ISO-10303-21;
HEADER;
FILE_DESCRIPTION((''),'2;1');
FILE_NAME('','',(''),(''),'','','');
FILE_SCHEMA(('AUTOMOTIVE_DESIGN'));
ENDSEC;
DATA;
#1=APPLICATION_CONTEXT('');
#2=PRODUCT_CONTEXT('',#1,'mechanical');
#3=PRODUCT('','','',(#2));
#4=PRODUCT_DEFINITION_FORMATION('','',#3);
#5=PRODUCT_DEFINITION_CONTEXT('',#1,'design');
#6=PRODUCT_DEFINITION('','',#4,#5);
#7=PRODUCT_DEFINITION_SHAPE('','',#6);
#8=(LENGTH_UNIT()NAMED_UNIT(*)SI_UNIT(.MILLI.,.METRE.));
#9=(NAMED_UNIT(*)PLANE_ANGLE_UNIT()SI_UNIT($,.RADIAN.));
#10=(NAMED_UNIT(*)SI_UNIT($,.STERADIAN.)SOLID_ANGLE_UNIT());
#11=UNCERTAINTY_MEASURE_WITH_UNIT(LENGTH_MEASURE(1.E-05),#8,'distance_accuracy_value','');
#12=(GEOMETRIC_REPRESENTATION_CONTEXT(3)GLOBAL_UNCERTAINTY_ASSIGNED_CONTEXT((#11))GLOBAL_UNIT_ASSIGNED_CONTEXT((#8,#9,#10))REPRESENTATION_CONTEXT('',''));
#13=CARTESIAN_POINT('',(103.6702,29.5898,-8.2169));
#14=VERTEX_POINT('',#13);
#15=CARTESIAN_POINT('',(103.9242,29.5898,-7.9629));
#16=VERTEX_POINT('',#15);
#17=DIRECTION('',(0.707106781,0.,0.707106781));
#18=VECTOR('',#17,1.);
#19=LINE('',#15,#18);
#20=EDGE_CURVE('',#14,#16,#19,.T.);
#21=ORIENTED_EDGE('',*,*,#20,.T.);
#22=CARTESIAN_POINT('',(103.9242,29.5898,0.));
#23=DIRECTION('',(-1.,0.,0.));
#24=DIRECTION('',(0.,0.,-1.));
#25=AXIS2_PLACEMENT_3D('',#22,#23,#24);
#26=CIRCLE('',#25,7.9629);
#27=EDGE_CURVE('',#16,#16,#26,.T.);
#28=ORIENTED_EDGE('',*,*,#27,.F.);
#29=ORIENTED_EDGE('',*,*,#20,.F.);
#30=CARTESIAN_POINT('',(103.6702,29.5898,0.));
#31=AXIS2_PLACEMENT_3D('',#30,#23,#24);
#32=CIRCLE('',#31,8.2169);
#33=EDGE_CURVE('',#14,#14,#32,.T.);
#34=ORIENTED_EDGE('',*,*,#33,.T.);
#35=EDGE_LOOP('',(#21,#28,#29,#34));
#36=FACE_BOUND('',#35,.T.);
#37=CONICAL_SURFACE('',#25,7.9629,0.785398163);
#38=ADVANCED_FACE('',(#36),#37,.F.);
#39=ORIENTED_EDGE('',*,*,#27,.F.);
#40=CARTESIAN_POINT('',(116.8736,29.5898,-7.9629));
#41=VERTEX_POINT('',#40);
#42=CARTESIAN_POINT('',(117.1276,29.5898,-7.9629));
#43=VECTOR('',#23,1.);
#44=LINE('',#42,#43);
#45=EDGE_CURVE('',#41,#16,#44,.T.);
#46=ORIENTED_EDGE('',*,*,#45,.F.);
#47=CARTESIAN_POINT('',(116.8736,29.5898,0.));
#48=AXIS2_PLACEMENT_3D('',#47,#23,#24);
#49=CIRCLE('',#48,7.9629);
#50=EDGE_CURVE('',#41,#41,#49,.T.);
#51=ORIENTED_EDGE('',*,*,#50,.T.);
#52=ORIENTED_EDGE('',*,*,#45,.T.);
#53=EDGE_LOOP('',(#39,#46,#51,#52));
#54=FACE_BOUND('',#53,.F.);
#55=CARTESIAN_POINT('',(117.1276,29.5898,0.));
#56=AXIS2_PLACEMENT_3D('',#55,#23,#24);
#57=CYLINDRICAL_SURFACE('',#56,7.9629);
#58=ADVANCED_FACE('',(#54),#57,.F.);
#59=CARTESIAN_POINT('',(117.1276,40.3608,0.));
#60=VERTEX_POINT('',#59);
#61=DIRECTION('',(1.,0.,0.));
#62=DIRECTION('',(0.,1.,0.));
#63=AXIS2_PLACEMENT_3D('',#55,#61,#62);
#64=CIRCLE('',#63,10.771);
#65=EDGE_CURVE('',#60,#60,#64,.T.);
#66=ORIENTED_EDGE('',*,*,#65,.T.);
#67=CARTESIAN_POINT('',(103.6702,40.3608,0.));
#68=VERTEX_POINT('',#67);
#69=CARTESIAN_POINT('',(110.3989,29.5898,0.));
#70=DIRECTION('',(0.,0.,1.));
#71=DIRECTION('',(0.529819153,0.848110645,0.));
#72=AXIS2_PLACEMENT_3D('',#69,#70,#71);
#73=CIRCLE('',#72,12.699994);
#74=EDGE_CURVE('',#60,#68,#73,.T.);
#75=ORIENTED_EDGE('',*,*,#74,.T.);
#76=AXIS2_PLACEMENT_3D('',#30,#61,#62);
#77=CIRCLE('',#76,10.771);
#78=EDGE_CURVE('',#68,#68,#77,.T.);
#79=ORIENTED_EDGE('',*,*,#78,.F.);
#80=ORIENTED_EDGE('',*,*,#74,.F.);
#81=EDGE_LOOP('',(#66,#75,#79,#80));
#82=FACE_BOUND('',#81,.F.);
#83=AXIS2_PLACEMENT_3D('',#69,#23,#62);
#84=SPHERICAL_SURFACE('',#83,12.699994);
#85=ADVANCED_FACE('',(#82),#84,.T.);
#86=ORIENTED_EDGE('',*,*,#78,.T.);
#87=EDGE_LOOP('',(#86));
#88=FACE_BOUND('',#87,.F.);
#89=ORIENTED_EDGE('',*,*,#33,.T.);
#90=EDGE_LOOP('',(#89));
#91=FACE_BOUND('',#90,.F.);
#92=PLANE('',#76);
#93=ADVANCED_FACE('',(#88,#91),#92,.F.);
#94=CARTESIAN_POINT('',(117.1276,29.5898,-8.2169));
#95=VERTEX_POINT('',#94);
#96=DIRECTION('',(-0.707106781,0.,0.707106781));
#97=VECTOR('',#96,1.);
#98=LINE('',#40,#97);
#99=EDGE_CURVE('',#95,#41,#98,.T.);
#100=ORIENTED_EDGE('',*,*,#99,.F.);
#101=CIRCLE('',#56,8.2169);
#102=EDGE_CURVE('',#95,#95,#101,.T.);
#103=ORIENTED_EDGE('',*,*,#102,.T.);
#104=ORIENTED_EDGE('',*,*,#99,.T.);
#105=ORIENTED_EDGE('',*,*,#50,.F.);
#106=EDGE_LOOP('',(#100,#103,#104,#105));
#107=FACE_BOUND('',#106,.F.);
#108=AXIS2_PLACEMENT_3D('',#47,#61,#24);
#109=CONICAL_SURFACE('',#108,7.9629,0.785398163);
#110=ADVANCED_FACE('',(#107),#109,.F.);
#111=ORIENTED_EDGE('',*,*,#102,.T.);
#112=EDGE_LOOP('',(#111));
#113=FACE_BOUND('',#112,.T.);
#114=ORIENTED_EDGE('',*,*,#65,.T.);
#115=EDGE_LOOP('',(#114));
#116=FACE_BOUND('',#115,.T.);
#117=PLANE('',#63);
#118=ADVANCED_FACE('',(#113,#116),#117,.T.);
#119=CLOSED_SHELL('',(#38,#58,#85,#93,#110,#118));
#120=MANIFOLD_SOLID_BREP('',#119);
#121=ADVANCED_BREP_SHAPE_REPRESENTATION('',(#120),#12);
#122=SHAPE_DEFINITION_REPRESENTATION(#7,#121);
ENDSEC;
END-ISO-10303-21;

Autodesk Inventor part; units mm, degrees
ref_plane "YZ Plane" through (0, 0, 0) normal (1, 0, 0) x (0, 1, 0)
ref_plane "XZ Plane" through (0, 0, 0) normal (0, 1, 0) x (-1, 0, 0)
ref_plane "XY Plane" through (0, 0, 0) normal (0, 0, 1) x (1, 0, 0)
sketch "Sketch1" plane through (0, 0, 0) normal (0, 0, 1) x (1, 0, 0)
  arc A0 (103.6702, 18.7694) -> (117.1276, 18.7694) centre (110.3989, 29.5404) ccw
  line L0 (103.6702, 40.3608) -> (103.6702, 29.5898)
  line L1 (117.1276, 40.3608) -> (117.1276, 29.5898)
  line L2 (95.2163, 29.5898) -> (125.5815, 29.5898)
  arc A1 (117.1276, 40.3608) -> (103.6702, 40.3608) centre (110.3989, 29.5898) ccw
  point P0 (0, 0)
  point P1 (110.3989, 16.8404)
  dimension "d44" = 21.6408
  dimension "d45" = 12.7
  dimension "d46" = 12.7
revolve "Revolution1" add sketch "Sketch1" angle 360 about axis through (95.2163, 29.5898, 0) along (1, 0, 0)
sketch "Sketch2" plane through (117.1276, 29.5898, 0) normal (1, 0, 0) x (0, 0, -1)
  circle A0 centre (0, 0) radius 10.771 projected
  point P0 (0, -29.5898)
hole "Hole1" at (117.1276, 29.5898, 0) direction (-1, 0, 0) diameter 15.9258 depth 25.4 tip angle 118
chamfer "Chamfer1" distance 0.254 angle 45 2 edges at (117.1276, 29.5898, 7.9629) (103.6702, 29.5898, 7.9629)
equation "\"d45\" = d46"
properties part number "1410P"
